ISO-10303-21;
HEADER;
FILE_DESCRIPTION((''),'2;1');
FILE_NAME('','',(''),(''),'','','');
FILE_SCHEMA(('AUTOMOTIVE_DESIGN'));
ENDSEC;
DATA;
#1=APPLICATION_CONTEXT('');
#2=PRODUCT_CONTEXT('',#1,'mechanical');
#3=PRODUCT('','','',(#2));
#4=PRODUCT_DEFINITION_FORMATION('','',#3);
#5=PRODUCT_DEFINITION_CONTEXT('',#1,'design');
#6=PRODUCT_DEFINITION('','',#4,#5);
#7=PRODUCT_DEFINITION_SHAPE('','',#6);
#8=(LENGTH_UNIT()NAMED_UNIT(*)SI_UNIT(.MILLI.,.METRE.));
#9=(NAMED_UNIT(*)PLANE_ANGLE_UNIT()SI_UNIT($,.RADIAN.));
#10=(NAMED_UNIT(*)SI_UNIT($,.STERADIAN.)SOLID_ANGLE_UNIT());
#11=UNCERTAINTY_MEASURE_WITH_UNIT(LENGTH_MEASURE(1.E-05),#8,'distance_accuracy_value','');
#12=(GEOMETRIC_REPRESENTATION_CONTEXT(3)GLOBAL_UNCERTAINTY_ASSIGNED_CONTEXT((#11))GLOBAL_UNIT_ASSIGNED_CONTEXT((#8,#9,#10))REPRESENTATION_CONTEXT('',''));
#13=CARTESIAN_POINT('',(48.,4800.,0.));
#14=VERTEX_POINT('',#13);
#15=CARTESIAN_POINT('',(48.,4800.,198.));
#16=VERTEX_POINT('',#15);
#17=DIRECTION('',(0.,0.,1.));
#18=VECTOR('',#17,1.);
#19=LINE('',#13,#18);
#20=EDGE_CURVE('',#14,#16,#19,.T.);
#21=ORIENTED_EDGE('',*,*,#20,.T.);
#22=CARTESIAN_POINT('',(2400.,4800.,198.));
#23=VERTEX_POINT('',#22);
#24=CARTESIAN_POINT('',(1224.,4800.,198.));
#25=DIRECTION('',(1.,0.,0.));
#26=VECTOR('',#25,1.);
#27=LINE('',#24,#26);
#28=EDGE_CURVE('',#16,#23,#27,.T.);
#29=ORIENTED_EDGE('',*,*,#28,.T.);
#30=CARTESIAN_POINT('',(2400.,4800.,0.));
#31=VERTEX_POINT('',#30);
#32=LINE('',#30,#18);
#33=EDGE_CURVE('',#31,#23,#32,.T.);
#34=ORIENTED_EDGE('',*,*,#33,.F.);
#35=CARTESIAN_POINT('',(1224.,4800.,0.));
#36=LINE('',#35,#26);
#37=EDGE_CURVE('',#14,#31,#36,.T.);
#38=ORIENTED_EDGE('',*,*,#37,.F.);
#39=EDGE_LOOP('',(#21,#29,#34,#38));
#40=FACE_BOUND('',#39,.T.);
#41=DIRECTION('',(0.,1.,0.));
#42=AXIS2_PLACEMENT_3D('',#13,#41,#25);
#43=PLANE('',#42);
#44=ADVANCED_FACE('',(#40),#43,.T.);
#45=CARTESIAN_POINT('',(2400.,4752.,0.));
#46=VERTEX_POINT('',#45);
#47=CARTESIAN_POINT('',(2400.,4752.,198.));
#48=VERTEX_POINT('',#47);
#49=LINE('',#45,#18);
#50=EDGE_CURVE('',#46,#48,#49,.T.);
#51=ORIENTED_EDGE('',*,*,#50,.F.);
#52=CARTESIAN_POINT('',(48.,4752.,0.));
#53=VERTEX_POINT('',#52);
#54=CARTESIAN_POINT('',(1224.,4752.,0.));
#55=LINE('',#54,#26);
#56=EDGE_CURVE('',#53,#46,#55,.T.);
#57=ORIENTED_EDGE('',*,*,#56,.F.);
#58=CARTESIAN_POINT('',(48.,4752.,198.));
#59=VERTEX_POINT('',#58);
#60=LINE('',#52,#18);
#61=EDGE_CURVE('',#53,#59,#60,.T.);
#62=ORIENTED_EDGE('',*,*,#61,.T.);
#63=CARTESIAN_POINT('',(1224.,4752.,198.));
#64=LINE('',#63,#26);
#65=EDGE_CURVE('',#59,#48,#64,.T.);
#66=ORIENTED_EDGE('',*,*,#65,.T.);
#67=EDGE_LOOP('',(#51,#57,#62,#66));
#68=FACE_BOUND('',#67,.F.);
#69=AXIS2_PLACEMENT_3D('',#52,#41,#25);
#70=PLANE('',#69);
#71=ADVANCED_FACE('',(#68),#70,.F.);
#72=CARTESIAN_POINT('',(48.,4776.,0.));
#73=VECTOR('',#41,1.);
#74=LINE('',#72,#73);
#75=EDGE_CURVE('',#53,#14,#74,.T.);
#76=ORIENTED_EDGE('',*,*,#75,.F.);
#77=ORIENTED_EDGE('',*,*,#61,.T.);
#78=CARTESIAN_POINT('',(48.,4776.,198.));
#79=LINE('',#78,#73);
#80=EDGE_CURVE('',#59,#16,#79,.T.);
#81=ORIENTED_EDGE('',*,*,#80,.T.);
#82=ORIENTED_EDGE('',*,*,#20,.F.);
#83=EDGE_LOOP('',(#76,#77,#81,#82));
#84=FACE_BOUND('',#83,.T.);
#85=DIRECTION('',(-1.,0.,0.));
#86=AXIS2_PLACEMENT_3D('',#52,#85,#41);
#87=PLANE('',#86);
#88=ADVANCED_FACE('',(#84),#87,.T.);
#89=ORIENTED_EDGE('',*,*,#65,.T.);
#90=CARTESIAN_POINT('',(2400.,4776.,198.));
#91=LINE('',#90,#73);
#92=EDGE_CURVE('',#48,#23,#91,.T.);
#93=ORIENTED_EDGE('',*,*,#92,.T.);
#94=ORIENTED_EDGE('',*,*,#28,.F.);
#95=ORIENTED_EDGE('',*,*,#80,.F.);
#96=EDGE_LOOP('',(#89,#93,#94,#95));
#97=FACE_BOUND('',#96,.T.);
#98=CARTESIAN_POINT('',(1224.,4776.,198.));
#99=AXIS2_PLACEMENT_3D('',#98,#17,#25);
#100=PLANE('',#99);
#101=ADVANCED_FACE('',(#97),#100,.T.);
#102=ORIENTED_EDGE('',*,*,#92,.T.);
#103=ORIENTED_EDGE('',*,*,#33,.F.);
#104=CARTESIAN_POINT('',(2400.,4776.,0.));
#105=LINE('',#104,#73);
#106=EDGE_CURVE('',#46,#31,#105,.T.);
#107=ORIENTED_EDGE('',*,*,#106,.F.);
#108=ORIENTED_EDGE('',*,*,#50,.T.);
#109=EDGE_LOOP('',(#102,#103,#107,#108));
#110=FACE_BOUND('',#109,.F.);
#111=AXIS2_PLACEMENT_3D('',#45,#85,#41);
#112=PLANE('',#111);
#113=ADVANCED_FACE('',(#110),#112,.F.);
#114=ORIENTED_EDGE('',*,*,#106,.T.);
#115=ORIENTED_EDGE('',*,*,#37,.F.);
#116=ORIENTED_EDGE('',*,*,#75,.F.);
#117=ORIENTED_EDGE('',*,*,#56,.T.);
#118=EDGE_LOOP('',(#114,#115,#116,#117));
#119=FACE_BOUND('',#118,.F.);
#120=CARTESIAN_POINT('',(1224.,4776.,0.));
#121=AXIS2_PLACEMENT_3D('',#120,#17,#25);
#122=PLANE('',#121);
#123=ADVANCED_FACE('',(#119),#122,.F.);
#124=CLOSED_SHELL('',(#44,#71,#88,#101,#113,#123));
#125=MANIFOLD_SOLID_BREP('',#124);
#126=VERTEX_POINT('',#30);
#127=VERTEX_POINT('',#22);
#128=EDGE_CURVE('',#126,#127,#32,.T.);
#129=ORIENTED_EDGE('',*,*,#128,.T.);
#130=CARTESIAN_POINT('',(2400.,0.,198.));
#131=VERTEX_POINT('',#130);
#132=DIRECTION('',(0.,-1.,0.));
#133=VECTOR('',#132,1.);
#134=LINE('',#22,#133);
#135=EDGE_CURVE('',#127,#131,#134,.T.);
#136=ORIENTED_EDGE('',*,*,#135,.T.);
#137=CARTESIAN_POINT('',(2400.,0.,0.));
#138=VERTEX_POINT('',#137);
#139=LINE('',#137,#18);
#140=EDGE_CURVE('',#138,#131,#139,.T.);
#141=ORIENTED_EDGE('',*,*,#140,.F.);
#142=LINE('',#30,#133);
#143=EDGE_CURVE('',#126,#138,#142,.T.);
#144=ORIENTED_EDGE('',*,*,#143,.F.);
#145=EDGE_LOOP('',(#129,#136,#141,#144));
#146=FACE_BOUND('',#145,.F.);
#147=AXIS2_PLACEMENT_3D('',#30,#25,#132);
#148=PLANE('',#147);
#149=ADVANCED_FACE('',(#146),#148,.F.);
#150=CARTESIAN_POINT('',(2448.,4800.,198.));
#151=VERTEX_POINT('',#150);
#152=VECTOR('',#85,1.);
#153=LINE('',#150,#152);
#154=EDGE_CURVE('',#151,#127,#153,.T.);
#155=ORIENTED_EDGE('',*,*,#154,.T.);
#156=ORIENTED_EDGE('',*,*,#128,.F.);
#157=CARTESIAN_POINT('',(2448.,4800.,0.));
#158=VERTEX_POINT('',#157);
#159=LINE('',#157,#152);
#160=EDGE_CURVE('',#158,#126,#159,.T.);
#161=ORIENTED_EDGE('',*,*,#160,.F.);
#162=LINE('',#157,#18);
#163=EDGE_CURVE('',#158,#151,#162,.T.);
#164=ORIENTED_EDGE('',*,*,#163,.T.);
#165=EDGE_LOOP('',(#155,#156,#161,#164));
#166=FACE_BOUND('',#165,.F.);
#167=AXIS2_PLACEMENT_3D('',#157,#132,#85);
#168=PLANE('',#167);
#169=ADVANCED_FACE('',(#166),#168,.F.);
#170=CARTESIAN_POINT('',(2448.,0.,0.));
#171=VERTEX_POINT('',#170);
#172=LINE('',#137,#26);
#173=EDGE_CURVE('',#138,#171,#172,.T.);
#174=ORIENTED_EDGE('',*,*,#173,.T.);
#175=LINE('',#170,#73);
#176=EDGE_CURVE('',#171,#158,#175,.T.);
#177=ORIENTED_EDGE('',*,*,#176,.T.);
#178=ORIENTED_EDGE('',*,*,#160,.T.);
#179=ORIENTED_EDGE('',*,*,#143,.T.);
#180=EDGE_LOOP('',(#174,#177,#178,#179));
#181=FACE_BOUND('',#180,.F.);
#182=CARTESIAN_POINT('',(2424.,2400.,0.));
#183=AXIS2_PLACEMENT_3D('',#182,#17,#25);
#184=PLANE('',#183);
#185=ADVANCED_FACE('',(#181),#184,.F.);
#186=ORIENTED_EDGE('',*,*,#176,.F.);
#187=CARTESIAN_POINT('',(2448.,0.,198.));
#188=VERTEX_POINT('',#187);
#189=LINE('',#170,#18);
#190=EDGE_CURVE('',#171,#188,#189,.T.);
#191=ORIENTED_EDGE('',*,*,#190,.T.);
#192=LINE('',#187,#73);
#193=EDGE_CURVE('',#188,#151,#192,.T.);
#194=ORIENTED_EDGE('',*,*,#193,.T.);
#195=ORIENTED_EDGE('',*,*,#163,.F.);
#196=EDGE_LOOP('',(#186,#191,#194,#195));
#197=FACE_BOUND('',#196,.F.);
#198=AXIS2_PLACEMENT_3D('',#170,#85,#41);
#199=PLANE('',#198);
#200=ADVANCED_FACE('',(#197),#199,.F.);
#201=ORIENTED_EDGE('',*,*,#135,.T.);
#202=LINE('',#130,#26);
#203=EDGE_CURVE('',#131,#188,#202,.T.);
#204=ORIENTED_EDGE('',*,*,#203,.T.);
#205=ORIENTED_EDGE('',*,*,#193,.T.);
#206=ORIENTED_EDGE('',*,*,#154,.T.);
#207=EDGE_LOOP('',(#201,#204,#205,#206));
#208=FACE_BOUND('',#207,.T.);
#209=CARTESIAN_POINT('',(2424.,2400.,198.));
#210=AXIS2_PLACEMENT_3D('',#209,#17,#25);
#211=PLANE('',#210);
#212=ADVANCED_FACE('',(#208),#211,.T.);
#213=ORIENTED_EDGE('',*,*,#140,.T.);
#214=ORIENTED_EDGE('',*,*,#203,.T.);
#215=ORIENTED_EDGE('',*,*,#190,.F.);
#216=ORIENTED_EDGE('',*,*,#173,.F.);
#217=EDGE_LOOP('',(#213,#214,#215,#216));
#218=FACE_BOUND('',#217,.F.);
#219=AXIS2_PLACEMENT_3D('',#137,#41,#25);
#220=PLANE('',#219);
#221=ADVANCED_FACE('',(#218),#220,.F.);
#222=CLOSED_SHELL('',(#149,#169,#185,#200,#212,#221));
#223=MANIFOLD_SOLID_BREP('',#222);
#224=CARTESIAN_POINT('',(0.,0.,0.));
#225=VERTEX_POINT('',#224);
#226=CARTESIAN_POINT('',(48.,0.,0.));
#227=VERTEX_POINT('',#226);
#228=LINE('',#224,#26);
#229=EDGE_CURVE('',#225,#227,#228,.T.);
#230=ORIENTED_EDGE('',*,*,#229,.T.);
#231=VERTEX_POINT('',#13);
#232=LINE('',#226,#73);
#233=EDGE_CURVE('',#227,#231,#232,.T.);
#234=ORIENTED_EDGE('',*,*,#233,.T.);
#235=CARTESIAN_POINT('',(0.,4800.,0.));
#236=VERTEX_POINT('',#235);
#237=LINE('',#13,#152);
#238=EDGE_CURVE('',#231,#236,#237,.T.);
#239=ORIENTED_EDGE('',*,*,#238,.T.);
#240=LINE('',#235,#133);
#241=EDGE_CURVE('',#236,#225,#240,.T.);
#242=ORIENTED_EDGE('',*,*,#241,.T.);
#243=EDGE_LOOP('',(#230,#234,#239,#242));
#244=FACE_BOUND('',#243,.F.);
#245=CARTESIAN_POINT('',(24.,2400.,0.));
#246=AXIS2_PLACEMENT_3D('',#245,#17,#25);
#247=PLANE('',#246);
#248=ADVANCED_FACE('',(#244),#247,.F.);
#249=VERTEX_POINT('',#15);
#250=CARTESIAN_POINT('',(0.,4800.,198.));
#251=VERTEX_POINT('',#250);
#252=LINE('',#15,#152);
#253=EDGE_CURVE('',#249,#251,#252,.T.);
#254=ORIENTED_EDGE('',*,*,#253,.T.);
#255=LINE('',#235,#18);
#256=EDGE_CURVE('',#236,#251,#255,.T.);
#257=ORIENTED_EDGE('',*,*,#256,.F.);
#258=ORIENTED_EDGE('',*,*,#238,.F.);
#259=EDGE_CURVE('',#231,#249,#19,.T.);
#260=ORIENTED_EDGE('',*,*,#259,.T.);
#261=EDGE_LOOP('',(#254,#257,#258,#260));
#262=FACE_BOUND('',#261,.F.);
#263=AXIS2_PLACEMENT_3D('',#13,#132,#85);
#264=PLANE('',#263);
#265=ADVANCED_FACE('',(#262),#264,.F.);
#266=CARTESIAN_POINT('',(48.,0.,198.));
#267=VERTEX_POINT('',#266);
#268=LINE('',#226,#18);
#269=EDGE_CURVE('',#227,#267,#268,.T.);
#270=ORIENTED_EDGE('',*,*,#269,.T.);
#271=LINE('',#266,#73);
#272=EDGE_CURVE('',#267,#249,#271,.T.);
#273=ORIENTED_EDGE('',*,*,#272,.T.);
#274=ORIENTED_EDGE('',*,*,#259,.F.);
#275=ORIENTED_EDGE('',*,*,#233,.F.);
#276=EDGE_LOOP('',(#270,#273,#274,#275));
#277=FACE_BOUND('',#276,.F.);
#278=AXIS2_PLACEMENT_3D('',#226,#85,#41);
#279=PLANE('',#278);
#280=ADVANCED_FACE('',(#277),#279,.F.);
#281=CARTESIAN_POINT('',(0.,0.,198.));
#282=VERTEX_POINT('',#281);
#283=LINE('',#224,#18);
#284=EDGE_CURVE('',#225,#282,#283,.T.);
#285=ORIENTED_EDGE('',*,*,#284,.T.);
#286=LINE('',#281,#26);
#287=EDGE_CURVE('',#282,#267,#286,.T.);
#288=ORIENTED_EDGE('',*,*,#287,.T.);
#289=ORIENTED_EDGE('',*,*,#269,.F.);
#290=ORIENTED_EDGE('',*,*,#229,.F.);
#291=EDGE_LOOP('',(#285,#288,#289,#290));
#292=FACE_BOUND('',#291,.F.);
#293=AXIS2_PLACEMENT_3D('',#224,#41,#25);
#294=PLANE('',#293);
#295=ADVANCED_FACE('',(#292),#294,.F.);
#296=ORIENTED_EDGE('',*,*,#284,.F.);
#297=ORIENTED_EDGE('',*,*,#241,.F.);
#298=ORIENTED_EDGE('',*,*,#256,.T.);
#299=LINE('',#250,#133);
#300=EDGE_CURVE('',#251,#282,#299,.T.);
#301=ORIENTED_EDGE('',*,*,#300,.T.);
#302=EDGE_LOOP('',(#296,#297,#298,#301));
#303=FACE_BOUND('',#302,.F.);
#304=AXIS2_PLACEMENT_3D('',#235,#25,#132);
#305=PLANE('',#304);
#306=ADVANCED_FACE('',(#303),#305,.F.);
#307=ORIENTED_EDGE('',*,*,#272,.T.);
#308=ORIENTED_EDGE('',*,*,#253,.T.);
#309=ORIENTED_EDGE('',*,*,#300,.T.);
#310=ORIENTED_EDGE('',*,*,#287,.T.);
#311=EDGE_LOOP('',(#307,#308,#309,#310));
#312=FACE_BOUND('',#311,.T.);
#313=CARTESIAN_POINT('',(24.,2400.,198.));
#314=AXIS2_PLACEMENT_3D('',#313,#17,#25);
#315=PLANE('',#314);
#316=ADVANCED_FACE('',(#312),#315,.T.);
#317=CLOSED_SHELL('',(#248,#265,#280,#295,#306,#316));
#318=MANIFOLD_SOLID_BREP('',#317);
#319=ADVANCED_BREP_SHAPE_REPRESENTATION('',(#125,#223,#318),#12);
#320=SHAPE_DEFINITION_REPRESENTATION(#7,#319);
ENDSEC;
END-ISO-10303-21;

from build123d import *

# Parameters (mm, degrees)
F1_DEPTH = 198
F0_W     = 2352
F0_H     = 48
F2_DEPTH = 198
F3_DEPTH = 198


with BuildPart() as f1:
    # F0 (on Top) → F1 (new body)
    with BuildSketch(Plane.XY):
        Polygon((0, 4800), (0, 0), (48, 0), (48, 4752), (48, 4800), align=None)
    extrude(amount=F1_DEPTH)


with BuildPart() as f2:
    # F0 (on Top) → F2 (new body)
    with BuildSketch(Plane.XY):
        with Locations((1224, 4776)):
            Rectangle(F0_W, F0_H)
    extrude(amount=F2_DEPTH)


with BuildPart() as f3:
    # F0 (on Top) → F3 (new body)
    with BuildSketch(Plane.XY):
        Polygon((2400, 4800), (2400, 4752), (2400, 0), (2448, 0), (2448, 4800), align=None)
    extrude(amount=F3_DEPTH)


solid = Compound([f1.part, f2.part, f3.part])
